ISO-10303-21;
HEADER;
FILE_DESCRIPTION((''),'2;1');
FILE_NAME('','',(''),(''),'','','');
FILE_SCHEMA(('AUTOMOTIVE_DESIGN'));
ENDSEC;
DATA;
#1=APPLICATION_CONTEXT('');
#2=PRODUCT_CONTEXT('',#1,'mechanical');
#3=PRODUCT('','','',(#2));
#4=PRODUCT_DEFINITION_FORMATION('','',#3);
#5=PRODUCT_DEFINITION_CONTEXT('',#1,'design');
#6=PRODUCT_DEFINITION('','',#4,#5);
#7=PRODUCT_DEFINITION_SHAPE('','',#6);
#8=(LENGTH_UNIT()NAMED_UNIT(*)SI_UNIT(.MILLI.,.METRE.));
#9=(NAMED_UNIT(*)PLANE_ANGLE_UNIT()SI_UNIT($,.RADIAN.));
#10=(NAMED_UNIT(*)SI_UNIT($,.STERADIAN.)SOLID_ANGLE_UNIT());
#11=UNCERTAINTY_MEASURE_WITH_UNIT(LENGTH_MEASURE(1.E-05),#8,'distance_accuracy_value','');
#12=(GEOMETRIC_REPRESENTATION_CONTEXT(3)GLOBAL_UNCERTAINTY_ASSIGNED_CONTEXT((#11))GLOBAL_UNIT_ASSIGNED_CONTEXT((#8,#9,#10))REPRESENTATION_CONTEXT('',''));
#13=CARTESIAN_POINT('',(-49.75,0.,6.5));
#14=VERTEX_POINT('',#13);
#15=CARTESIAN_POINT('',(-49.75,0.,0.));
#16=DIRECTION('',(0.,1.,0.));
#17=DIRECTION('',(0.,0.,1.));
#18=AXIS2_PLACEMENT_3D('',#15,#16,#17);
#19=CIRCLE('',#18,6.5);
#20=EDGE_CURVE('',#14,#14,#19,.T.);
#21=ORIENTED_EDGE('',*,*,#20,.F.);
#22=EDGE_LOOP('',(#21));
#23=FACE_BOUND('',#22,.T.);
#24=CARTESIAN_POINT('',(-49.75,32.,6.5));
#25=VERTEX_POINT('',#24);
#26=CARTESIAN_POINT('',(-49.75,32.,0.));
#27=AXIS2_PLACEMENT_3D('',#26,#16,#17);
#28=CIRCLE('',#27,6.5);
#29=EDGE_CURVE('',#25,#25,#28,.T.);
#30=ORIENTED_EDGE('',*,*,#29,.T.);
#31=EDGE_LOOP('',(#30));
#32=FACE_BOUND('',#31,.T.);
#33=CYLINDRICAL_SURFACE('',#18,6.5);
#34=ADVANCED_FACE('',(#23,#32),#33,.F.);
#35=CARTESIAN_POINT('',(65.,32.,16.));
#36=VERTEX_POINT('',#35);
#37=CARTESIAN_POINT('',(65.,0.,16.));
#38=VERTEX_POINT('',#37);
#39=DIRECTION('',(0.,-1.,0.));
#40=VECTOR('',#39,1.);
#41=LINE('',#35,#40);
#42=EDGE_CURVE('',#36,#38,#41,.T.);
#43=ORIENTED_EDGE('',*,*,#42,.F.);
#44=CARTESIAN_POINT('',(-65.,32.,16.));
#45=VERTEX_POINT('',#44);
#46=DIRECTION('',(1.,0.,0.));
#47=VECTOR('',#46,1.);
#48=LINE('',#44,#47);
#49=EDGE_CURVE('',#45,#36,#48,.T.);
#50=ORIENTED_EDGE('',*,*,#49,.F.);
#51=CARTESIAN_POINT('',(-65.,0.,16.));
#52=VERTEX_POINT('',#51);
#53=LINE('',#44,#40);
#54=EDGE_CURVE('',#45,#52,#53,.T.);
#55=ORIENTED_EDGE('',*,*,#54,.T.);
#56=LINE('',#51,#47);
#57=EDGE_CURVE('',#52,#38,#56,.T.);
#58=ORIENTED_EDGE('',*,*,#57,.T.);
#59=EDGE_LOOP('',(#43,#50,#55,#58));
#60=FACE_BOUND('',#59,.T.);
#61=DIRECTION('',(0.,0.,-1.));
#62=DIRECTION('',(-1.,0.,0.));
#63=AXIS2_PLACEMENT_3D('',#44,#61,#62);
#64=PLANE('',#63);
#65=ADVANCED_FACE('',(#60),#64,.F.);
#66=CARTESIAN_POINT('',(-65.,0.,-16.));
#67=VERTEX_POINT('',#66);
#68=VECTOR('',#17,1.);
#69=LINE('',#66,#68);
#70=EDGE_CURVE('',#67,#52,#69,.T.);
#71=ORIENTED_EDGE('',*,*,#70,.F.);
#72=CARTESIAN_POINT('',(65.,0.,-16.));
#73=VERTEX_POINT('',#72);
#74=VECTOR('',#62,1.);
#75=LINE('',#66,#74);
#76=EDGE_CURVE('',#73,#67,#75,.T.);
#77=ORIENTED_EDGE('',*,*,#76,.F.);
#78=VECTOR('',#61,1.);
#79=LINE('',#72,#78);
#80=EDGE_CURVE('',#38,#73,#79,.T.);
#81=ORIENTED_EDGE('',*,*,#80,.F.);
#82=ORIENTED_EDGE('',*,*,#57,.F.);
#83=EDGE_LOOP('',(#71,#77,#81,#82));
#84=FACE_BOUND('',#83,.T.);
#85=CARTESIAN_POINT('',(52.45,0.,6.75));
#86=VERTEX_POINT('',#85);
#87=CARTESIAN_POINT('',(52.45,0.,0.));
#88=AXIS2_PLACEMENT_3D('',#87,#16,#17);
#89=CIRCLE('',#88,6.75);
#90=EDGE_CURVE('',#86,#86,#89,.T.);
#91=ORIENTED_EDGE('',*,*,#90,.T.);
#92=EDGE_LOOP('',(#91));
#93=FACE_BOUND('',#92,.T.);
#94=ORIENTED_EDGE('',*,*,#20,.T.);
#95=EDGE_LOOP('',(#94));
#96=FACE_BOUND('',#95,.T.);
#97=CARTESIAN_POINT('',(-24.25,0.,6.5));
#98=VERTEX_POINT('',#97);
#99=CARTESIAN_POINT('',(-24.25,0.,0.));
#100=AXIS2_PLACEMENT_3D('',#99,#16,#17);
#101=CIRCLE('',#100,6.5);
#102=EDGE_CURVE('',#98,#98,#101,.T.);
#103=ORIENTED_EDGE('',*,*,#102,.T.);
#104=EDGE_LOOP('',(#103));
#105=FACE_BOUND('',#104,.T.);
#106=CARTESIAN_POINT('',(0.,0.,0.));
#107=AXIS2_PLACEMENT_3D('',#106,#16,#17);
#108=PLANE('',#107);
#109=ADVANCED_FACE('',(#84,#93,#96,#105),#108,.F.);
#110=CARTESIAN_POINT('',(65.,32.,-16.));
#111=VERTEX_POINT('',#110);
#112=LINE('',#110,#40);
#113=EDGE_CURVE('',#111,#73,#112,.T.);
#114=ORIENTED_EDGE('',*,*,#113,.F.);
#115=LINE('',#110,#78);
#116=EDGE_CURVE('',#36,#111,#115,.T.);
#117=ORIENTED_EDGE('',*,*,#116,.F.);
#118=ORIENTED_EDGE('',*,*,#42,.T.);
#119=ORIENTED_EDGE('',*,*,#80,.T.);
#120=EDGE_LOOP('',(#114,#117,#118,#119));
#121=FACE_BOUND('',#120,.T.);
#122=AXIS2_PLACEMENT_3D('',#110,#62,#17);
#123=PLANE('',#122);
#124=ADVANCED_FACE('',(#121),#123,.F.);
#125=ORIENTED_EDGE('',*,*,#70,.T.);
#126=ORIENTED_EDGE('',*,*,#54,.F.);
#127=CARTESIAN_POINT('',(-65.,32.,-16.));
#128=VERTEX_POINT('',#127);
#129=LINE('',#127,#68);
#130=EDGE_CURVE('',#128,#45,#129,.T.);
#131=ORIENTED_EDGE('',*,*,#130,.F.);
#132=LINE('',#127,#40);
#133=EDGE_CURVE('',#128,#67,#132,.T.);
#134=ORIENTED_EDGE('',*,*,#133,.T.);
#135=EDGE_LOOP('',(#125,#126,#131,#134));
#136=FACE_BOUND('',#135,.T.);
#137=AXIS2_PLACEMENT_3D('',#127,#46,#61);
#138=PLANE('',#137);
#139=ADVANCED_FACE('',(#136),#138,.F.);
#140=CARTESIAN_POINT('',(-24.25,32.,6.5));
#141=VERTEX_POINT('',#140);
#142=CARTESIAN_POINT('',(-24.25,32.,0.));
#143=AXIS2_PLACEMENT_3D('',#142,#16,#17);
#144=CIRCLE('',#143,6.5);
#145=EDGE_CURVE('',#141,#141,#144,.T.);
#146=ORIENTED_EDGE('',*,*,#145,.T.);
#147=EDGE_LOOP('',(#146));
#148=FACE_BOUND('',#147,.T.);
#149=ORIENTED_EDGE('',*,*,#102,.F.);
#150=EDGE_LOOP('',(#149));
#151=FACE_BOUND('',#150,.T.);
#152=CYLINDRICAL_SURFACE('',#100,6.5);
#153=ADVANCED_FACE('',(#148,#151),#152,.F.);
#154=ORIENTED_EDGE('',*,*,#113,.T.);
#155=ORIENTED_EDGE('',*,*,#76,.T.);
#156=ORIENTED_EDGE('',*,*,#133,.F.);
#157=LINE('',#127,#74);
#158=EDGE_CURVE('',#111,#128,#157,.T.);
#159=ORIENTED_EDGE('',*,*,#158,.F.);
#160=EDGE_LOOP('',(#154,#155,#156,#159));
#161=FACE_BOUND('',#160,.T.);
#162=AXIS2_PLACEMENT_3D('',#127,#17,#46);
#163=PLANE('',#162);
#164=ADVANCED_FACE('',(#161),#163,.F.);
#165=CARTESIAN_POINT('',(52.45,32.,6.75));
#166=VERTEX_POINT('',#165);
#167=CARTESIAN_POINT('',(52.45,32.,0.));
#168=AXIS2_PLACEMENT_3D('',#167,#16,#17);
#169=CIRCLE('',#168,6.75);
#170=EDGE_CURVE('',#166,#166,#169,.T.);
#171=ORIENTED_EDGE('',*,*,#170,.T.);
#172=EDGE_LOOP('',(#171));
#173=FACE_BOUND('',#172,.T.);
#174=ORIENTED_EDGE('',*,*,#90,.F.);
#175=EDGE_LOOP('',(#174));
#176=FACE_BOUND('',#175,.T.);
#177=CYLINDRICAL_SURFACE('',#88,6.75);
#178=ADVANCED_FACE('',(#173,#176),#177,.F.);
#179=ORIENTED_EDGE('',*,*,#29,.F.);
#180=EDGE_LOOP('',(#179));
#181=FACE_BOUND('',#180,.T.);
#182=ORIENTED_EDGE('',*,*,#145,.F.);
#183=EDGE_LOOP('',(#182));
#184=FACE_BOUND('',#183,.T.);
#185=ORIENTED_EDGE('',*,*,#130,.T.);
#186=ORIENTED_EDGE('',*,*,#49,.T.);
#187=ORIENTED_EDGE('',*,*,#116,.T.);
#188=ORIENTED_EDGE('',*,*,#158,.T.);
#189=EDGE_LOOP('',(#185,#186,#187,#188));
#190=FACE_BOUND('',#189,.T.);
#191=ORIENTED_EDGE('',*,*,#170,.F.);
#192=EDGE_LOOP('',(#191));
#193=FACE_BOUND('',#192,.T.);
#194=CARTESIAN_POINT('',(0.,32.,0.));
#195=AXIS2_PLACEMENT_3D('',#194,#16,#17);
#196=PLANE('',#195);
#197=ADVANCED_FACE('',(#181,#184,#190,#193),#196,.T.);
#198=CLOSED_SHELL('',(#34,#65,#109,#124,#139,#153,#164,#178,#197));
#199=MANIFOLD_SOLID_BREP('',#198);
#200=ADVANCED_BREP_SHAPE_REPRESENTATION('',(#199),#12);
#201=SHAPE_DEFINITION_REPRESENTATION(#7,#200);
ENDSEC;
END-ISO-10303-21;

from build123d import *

# Parameters (mm, degrees)
SKETCH1_W           = 130
SKETCH1_H           = 32
BOSS_EXTRUDE1_DEPTH = 32
SKETCH2_R           = 6.5
SKETCH2_R_2         = 6.75
CUT_EXTRUDE1_DEPTH  = 32


with BuildPart() as part:
    # Sketch1 → Boss-Extrude1 (new body)
    with BuildSketch(Plane(origin=(0, 0, 0), x_dir=(1, 0, 0), z_dir=(0, 1, 0))):
        Rectangle(SKETCH1_W, SKETCH1_H)
    extrude(amount=BOSS_EXTRUDE1_DEPTH)

    # Sketch2 → Cut-Extrude1 (cut)
    with BuildSketch(Plane(origin=(0, 32, 0), x_dir=(1, 0, 0), z_dir=(0, 1, 0))):
        with Locations(Location((-49.75, 0, 0), (0, 0, 270))):
            Circle(SKETCH2_R)
        with Locations(Location((-24.25, 0, 0), (0, 0, 270))):
            Circle(SKETCH2_R)
        with Locations(Location((52.45, 0, 0), (0, 0, 270))):
            Circle(SKETCH2_R_2)
    extrude(amount=-CUT_EXTRUDE1_DEPTH, mode=Mode.SUBTRACT)


solid = part.part
